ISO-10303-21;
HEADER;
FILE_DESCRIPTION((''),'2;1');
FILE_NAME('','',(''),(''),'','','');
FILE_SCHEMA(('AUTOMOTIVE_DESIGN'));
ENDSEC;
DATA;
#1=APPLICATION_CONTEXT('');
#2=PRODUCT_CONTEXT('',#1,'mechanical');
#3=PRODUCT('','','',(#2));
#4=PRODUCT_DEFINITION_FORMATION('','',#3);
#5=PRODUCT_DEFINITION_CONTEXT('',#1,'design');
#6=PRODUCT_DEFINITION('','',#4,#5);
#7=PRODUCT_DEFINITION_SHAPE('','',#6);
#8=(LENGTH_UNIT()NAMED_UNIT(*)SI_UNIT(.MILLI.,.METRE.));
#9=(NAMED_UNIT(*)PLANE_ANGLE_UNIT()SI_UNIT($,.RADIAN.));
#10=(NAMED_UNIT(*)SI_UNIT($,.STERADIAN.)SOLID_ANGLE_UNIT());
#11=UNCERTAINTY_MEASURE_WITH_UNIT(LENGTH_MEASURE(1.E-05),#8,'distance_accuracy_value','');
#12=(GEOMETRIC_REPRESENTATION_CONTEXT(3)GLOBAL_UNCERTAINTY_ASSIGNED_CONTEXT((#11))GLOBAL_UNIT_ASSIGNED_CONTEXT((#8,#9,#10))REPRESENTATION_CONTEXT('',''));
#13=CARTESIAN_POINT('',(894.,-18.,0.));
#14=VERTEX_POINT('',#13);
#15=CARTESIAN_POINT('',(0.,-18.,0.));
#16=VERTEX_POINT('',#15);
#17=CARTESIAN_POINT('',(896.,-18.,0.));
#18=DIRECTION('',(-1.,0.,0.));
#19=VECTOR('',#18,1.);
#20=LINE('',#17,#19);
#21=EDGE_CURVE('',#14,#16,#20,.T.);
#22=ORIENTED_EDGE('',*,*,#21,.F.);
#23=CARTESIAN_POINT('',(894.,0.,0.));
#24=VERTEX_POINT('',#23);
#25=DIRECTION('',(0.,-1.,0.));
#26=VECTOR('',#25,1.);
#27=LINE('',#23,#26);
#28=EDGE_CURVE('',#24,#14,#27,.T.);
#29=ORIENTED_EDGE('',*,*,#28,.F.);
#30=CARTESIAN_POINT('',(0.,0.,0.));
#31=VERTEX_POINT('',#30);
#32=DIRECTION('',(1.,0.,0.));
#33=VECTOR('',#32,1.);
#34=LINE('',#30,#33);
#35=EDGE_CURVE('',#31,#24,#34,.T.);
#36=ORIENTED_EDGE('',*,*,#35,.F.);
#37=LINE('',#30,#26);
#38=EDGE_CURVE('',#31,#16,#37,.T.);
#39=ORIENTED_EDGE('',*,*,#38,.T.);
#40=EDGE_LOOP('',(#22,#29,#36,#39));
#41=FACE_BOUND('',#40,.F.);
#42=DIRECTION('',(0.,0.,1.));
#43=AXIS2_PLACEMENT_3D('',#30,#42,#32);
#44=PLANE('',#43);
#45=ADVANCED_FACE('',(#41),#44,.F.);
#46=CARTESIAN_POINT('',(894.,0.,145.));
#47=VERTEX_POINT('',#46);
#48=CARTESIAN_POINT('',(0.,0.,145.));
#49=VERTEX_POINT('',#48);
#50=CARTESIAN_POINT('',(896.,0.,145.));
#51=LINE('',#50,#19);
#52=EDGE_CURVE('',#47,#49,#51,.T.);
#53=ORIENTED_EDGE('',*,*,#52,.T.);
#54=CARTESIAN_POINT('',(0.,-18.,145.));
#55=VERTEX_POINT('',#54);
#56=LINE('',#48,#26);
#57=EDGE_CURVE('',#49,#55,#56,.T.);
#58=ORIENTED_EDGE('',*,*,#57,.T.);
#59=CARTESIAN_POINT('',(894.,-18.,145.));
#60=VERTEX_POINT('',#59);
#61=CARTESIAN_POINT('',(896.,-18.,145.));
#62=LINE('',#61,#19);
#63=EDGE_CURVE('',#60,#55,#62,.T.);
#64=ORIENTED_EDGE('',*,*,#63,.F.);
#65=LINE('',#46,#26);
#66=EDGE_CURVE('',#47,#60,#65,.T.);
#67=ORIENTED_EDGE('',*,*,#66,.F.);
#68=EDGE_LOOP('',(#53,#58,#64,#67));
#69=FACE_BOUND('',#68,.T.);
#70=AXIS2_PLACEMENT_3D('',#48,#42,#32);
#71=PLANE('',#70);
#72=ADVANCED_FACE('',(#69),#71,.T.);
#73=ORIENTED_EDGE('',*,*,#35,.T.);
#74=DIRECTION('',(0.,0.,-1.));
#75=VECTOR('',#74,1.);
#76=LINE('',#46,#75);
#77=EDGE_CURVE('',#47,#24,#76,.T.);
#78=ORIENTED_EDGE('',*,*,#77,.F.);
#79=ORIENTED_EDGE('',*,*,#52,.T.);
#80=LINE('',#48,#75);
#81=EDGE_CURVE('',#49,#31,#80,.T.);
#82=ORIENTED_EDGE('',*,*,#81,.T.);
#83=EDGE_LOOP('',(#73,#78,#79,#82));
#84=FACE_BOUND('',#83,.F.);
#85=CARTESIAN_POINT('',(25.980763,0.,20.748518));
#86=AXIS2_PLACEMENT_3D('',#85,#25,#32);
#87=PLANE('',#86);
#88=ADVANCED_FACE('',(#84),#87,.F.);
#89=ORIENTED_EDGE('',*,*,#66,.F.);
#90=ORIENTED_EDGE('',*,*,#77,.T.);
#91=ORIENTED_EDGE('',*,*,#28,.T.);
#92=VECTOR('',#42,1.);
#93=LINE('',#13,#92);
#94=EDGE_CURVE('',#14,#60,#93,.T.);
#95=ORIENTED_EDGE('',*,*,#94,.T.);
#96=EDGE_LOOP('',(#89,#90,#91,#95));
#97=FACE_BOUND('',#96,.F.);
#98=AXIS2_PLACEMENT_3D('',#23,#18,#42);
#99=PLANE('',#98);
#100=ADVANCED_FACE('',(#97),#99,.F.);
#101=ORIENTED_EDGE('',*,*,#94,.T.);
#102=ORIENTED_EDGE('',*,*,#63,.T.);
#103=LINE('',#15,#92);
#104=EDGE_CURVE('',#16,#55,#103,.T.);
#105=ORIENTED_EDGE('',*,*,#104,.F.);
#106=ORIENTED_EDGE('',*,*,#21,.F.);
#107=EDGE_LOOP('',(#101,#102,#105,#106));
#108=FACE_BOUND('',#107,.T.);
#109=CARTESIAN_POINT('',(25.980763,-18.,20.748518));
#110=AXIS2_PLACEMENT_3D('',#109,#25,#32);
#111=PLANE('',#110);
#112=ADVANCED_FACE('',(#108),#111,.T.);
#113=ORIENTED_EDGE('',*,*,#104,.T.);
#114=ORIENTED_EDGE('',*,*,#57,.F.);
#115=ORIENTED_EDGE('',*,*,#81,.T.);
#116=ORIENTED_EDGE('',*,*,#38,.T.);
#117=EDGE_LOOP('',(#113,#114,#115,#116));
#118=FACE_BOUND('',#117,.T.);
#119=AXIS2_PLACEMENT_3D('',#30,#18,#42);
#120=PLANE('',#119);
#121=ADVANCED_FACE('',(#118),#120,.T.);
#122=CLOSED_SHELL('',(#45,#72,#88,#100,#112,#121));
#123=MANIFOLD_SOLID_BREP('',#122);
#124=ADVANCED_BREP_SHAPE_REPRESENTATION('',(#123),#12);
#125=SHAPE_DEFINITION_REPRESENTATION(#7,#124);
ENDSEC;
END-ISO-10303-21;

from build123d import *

# Parameters (mm, degrees)
F0_W     = 51.9615262747
F0_H     = 41.4970368147
F1_DEPTH = 18
F2_DEPTH = 145
F3_DEPTH = 896
F4_DEPTH = 896
F5_DEPTH = 2


with BuildPart() as f1:
    # F0 (on Front) → F1 (new body)
    with BuildSketch(Plane.XZ):
        with Locations((25.9807631373, 20.7485184073)):
            Rectangle(F0_W, F0_H)
    extrude(amount=F1_DEPTH)

    # F2 (add): a face of the model
    f2_faces = [f1.faces().sort_by_distance(p)[0] for p in [
        (25.9807631373, -9, 0),
    ]]
    extrude(f2_faces, amount=-F2_DEPTH)

    # F3 (add): a face of the model
    f3_faces = [f1.faces().sort_by_distance(p)[0] for p in [
        (0, -9, 72.5),
    ]]
    extrude(f3_faces, amount=-F3_DEPTH)

    # F4 (add): a face of the model
    f4_faces = [f1.faces().sort_by_distance(p)[0] for p in [
        (0, -9, 72.5),
    ]]
    extrude(f4_faces, amount=-F4_DEPTH)

    # F5 (cut): a face of the model
    f5_faces = [f1.faces().sort_by_distance(p)[0] for p in [
        (896, -9, 72.5),
    ]]
    extrude(f5_faces, amount=-F5_DEPTH, mode=Mode.SUBTRACT)


solid = f1.part
